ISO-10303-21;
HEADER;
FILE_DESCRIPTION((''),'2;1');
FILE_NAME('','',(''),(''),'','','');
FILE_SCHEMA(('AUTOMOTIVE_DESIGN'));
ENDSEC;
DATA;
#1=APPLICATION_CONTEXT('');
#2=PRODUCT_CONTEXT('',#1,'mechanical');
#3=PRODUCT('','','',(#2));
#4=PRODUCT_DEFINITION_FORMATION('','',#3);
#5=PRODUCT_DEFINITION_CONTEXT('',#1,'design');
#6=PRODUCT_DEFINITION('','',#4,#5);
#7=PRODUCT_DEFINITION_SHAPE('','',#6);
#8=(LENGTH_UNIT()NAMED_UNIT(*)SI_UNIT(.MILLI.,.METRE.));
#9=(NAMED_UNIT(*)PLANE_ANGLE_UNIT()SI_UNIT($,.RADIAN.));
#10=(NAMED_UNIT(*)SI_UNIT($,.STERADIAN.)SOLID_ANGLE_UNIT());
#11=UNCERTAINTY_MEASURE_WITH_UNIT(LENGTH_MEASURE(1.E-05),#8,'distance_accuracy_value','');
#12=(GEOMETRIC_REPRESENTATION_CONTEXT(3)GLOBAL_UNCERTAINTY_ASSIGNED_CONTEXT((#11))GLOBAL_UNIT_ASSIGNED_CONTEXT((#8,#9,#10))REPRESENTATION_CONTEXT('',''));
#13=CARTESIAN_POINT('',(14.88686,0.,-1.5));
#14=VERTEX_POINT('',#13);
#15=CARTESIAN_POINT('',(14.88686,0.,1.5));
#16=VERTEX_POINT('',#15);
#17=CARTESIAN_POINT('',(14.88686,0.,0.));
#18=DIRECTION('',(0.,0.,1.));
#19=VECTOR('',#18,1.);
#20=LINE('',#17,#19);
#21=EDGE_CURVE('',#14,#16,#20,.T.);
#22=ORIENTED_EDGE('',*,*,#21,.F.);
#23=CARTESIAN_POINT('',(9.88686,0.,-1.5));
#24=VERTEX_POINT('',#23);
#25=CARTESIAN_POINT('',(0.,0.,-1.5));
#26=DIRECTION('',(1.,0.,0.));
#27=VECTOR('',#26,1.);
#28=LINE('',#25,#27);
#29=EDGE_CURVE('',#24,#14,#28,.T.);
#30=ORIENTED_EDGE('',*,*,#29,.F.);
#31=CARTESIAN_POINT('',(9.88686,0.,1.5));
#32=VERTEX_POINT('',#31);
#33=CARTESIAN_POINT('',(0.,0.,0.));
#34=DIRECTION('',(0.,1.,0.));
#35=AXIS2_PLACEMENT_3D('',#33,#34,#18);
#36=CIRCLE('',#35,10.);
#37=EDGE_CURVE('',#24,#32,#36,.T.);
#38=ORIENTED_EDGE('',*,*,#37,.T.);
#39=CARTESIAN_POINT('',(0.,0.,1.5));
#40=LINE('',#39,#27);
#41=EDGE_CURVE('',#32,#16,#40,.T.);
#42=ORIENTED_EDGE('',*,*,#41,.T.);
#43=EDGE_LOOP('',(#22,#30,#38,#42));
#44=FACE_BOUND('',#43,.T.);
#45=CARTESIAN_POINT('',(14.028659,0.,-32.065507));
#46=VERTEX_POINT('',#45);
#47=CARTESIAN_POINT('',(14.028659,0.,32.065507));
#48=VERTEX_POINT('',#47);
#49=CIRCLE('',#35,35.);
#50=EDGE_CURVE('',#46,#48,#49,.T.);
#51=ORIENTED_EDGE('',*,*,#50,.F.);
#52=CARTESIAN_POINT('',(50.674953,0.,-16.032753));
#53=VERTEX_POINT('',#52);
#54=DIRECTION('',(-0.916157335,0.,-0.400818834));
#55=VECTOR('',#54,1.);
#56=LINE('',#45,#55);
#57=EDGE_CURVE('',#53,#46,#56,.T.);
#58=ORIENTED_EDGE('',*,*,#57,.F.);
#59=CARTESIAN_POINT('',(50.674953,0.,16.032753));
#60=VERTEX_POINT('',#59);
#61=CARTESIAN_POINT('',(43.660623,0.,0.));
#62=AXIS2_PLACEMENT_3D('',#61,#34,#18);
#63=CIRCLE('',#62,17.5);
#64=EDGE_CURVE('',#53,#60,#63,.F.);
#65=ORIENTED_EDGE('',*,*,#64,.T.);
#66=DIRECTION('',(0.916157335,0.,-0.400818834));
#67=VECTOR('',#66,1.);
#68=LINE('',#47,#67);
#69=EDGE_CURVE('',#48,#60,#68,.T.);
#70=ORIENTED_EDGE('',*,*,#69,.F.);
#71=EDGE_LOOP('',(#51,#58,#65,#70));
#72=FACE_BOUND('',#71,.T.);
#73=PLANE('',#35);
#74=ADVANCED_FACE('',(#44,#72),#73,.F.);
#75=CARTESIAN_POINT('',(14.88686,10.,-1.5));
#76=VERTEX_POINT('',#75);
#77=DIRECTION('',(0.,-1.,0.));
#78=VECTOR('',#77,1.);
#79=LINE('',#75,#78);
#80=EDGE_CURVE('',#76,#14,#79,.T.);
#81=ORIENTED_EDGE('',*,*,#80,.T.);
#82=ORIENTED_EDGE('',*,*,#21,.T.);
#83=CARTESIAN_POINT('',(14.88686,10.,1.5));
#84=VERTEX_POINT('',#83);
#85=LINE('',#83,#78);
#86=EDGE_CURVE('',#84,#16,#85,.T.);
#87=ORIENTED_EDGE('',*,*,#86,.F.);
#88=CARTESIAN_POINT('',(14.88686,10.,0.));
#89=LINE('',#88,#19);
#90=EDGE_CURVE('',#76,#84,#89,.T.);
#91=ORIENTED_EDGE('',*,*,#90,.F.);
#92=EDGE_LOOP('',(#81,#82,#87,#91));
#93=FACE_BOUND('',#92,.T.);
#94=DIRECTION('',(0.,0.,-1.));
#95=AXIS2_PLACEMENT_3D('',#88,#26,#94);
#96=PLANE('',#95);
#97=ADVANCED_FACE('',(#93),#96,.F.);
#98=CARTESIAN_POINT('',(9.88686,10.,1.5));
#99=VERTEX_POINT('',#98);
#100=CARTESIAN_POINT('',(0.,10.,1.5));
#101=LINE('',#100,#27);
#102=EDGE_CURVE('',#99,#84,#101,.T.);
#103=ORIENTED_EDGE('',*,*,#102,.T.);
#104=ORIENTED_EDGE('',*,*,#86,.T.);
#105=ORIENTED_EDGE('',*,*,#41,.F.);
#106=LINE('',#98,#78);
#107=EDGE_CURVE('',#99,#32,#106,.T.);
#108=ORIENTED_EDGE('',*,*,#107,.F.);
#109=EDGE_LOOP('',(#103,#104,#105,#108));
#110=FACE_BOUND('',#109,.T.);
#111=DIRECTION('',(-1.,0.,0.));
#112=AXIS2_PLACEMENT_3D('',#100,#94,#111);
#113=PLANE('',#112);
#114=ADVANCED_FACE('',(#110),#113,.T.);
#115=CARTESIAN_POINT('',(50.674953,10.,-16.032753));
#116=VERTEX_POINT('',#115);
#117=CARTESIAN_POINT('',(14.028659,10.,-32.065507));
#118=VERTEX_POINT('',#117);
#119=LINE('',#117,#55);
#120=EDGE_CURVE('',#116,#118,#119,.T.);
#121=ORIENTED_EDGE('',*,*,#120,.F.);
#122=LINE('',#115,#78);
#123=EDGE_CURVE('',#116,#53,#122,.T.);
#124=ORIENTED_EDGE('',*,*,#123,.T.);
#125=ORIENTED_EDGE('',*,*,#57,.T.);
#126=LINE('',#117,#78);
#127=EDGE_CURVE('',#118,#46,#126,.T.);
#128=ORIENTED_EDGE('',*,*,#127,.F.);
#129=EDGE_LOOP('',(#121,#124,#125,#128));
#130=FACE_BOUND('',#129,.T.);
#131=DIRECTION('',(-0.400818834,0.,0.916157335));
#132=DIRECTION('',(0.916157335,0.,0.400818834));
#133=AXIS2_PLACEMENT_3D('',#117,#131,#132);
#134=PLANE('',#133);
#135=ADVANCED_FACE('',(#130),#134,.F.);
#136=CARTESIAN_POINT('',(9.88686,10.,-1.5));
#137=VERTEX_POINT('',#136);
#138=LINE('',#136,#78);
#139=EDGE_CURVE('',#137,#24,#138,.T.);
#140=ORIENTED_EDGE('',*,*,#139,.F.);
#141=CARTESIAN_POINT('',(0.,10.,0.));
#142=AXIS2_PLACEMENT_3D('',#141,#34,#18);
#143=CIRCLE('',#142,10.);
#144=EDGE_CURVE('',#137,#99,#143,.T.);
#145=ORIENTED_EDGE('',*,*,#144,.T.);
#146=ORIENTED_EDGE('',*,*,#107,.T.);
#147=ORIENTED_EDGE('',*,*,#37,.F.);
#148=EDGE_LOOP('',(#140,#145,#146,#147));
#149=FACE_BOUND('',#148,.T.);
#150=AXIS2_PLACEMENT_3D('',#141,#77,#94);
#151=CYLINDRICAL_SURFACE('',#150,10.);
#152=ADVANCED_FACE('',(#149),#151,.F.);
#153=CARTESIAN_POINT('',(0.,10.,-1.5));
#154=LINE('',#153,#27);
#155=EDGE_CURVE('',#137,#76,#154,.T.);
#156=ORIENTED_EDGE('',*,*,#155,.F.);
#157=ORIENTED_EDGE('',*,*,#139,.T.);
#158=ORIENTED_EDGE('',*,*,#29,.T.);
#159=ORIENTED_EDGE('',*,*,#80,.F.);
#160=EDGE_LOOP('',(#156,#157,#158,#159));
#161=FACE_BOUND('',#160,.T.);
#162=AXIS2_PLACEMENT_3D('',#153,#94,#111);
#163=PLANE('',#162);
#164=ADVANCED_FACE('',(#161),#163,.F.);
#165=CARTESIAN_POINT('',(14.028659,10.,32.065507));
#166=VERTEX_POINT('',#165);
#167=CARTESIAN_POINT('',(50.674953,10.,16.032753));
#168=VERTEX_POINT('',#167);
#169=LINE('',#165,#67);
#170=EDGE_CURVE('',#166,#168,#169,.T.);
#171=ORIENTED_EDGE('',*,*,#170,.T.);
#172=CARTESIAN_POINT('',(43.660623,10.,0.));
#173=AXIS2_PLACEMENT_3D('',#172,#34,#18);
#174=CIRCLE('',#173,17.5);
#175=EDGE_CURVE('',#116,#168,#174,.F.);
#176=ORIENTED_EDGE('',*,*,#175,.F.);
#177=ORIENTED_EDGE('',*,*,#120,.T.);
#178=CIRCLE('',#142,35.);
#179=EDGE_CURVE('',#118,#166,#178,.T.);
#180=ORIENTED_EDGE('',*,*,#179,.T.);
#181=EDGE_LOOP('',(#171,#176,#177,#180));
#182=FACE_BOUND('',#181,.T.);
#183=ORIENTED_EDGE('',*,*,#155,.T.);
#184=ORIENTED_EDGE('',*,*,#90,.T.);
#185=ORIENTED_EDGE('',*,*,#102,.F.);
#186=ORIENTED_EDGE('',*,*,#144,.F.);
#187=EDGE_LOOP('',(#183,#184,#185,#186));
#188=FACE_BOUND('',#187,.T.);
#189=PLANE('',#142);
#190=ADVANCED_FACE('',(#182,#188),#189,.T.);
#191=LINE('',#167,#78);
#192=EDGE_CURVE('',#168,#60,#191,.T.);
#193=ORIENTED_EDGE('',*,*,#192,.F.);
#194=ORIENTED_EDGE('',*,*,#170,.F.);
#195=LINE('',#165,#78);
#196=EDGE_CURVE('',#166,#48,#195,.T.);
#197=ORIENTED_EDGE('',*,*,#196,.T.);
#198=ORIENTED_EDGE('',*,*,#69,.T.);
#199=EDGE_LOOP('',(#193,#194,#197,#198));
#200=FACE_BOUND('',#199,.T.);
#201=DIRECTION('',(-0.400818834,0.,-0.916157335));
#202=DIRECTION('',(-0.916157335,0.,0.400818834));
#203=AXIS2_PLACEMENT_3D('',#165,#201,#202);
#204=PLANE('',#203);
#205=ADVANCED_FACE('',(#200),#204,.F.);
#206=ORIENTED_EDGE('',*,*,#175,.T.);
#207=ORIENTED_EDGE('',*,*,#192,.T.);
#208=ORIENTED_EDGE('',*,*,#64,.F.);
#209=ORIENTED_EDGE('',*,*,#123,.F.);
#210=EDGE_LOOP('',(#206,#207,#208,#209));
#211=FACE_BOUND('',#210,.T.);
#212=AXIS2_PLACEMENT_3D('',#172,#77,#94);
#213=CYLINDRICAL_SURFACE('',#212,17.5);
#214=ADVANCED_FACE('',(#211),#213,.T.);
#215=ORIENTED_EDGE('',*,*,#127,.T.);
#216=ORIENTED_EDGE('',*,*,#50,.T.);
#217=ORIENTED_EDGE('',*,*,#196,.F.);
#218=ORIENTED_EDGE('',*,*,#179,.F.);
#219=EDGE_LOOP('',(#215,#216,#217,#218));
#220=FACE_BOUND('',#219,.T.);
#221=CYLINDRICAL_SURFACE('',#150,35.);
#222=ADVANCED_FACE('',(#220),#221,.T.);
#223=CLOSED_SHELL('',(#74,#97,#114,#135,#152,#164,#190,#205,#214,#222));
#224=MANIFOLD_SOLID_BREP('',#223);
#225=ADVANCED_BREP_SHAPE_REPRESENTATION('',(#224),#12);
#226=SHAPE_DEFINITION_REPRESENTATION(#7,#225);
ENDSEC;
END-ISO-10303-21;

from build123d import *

# Parameters (mm, degrees)
BOSS_EXTRUDE1_DEPTH = 10


with BuildPart() as part:
    # Sketch1 → Boss-Extrude1 (new body)
    with BuildSketch(Plane(origin=(0, 0, 0), x_dir=(1, 0, 0), z_dir=(0, 1, 0))):
        with BuildLine():
            ThreePointArc((14.028659191, 32.065506722), (-35, 0), (14.028659191, -32.065506722))
            Line((14.028659191, -32.065506722), (50.674952587, -16.032753361))
            ThreePointArc((50.674952587, -16.032753361), (61.160622991, 0), (50.674952587, 16.032753361))
            Line((50.674952587, 16.032753361), (14.028659191, 32.065506722))
        make_face()
        with BuildLine():
            Line((9.886859967, 1.5), (14.886859967, 1.5))
            Line((14.886859967, 1.5), (14.886859967, -1.5))
            Line((14.886859967, -1.5), (9.886859967, -1.5))
            ThreePointArc((9.886859967, -1.5), (-10, 0), (9.886859967, 1.5))
        make_face(mode=Mode.SUBTRACT)
    extrude(amount=BOSS_EXTRUDE1_DEPTH)


solid = part.part
